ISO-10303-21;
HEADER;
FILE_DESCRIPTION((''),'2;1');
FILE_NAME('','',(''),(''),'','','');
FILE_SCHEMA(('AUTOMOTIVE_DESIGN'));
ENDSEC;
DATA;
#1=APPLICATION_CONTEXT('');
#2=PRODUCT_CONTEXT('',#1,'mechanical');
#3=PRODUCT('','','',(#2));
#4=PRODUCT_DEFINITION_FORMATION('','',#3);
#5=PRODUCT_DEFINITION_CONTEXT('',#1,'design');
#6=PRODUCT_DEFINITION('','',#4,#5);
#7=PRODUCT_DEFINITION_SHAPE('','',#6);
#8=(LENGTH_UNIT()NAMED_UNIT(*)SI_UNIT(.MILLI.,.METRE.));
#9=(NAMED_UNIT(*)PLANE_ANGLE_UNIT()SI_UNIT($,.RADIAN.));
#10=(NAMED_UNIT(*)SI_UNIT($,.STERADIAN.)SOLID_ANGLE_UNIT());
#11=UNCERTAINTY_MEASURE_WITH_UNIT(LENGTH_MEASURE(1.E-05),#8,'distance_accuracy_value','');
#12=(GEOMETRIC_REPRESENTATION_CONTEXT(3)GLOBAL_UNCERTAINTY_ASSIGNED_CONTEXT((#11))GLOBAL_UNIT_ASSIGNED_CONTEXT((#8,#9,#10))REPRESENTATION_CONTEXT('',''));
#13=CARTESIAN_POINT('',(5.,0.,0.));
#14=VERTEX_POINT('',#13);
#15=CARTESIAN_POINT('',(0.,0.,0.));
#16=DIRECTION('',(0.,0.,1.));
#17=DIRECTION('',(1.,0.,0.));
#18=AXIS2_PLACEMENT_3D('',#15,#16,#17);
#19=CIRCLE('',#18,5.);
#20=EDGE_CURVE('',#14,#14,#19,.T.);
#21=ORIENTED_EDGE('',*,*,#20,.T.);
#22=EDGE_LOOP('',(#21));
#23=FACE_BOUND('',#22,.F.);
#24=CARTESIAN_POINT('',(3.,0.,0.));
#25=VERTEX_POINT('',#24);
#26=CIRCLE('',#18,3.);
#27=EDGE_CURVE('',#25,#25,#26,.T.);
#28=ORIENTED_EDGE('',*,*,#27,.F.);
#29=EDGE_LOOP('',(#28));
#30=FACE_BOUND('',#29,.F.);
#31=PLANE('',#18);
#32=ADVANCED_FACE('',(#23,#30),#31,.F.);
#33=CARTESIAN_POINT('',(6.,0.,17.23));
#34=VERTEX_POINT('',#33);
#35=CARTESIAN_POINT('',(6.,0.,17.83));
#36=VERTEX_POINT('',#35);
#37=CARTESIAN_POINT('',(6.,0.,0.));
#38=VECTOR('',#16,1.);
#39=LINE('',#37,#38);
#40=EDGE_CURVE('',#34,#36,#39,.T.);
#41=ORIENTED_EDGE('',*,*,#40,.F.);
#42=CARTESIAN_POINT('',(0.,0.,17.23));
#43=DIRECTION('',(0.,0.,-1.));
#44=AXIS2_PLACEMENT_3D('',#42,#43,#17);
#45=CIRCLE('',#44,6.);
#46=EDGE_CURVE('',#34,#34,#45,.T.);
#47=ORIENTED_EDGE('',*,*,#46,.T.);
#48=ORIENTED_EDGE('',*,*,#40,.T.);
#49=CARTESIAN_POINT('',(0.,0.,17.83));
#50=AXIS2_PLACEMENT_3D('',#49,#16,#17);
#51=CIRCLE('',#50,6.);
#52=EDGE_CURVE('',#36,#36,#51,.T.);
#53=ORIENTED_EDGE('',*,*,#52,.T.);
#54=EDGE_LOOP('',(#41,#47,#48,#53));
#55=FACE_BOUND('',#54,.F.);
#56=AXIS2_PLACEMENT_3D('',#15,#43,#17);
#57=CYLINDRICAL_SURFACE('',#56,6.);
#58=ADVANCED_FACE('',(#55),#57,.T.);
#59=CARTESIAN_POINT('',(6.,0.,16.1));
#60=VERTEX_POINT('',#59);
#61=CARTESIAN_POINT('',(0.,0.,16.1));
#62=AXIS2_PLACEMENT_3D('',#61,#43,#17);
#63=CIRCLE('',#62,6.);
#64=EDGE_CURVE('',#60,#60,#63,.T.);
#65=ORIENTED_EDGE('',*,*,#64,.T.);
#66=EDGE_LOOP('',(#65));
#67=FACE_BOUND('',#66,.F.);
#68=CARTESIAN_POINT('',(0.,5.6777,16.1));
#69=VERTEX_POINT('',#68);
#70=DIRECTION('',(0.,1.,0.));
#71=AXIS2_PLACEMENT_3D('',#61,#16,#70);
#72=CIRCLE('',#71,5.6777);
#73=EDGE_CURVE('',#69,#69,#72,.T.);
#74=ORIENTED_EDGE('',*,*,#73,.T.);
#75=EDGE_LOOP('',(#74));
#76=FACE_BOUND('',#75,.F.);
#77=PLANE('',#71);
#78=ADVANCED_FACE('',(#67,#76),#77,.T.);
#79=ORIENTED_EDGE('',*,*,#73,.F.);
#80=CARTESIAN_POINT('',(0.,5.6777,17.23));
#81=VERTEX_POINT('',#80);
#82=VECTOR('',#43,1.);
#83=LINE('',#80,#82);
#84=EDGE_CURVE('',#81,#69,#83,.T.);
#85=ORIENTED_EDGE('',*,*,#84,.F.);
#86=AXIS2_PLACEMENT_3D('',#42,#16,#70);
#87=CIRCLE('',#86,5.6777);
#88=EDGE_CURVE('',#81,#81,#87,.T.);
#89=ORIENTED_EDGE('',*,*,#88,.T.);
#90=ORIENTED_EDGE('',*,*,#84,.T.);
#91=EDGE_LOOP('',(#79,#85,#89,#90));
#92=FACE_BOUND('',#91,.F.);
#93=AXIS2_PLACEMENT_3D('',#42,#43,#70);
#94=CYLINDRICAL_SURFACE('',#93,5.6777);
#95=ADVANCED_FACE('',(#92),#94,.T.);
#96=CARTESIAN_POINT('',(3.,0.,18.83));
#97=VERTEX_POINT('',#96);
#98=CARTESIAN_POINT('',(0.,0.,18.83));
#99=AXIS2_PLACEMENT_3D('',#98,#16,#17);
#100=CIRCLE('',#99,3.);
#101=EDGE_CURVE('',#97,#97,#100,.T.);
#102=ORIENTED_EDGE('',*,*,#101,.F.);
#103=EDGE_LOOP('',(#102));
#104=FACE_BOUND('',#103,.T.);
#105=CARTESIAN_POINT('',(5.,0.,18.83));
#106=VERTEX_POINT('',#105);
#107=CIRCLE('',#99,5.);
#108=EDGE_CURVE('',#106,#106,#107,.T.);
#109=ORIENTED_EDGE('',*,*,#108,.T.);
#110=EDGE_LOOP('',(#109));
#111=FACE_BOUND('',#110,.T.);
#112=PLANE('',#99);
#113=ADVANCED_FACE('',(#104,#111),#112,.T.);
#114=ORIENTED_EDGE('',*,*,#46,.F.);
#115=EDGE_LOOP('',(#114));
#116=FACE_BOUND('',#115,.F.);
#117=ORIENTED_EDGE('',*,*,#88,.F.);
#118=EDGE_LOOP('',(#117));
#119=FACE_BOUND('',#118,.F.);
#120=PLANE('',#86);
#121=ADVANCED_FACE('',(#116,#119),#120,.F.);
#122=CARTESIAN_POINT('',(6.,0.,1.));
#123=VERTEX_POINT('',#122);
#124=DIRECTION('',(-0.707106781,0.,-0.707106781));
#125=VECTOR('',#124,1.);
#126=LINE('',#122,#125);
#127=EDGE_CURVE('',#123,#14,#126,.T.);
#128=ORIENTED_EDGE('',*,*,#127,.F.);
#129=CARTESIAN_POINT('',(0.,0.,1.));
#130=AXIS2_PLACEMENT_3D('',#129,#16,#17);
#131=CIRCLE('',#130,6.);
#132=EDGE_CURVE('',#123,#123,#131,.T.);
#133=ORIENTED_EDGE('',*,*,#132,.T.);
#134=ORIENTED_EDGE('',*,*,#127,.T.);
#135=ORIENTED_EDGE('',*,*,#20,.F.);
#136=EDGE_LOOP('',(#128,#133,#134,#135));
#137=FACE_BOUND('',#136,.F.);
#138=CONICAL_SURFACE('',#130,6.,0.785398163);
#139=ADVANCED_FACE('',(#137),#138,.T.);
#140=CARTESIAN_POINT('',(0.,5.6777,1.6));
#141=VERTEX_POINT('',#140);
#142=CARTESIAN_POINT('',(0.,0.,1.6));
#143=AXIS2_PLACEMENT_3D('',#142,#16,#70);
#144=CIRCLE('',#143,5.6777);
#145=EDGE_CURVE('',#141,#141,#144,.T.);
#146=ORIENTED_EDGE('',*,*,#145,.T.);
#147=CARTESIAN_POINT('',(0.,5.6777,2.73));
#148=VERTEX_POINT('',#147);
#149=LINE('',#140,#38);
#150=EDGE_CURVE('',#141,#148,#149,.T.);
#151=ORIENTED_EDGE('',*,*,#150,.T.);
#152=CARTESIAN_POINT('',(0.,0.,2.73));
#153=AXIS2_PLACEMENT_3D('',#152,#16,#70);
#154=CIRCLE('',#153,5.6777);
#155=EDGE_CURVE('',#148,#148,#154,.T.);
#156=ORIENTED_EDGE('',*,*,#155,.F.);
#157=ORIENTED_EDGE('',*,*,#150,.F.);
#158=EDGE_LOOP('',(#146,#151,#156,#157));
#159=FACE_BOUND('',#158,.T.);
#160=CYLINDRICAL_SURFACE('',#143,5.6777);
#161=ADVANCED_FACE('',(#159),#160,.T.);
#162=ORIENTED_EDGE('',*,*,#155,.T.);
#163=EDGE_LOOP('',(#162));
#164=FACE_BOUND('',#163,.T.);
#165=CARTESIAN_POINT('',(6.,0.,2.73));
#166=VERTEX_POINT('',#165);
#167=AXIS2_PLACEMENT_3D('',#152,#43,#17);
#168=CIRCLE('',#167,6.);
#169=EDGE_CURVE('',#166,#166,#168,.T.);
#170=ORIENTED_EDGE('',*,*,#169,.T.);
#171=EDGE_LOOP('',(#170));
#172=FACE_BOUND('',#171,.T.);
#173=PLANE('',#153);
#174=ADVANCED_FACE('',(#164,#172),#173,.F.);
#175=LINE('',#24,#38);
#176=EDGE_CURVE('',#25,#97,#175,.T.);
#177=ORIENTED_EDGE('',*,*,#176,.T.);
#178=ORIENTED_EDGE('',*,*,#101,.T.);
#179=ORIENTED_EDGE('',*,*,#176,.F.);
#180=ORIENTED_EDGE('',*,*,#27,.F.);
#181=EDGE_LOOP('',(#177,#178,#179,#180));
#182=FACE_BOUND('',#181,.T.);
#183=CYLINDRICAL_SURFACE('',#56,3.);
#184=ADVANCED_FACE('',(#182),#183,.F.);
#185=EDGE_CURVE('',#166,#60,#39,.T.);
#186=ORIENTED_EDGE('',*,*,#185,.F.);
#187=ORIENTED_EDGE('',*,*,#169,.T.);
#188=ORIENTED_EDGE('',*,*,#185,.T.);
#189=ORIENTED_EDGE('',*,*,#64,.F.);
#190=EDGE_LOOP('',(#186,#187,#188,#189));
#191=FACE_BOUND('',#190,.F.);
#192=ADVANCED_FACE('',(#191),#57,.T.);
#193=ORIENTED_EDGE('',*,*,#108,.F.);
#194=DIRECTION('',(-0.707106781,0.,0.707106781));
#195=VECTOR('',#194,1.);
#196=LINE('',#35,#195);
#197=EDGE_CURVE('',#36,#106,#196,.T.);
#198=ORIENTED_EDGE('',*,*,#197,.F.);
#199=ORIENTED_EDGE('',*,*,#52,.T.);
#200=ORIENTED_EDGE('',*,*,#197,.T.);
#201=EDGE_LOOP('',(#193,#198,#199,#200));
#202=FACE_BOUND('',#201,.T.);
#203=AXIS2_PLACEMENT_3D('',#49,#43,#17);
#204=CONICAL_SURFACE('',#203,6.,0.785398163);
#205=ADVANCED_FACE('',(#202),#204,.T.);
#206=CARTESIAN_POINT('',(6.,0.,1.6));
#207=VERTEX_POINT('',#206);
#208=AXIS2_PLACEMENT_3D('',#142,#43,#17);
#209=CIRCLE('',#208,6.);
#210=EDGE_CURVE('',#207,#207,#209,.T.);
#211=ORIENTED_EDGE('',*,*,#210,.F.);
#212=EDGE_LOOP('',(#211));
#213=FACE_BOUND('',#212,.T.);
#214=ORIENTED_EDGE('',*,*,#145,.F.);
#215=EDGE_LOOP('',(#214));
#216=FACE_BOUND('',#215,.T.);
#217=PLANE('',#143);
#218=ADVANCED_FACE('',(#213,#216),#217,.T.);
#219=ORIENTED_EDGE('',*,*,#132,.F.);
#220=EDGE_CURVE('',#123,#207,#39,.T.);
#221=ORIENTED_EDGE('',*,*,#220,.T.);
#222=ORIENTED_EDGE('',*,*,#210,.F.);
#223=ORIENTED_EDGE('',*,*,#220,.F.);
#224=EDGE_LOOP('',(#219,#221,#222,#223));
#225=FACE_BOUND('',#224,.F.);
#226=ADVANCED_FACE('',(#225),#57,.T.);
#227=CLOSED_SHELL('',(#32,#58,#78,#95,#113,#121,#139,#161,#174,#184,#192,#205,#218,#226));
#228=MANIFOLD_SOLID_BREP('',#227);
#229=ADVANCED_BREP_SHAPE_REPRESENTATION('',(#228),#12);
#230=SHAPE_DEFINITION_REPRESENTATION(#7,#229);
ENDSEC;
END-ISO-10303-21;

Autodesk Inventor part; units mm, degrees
ref_plane "YZ Plane" through (0, 0, 0) normal (1, 0, 0) x (0, 1, 0)
ref_plane "XZ Plane" through (0, 0, 0) normal (0, 1, 0) x (-1, 0, 0)
ref_plane "XY Plane" through (0, 0, 0) normal (0, 0, 1) x (1, 0, 0)
sketch "Sketch1" plane through (0, 0, 0) normal (0, 0, 1) x (1, 0, 0)
  circle A0 centre (0, 0) radius 3
  circle A1 centre (0, 0) radius 6
  dimension "d0" = 6
  dimension "d1" = 12
extrude "Extrusion1" add sketch "Sketch1" along normal blind 18.83
chamfer "Chamfer1" distance 1 angle 45 2 edges at (-6, 0, 18.83) (-6, 0, 0)
sketch "Sketch2" plane through (0, 0, 0) normal (1, 0, 0) x (0, 1, 0)
  line L0 (6.8077, 17.23) -> (5.6777, 17.23)
  line L1 (5.6777, 17.23) -> (5.6777, 16.1)
  line L2 (5.6777, 16.1) -> (6.8077, 16.1)
  line L3 (6.8077, 16.1) -> (6.8077, 17.23)
  line L4 (-5, 18.83) -> (5, 18.83) projected
  line L5 (6.8077, 1.6) -> (5.6777, 1.6)
  line L6 (5.6777, 1.6) -> (5.6777, 2.73)
  line L7 (5.6777, 2.73) -> (6.8077, 2.73)
  line L8 (6.8077, 2.73) -> (6.8077, 1.6)
  line L9 (5, 0) -> (-5, 0) projected
  line L10 (0, -3.766) -> (0, 22.596) projected
  point P0 (0, 0)
  dimension "d7" = 1.13
  dimension "d8" = 1.13
  dimension "d9" = 1.6
  dimension "d10" = 1.13
  dimension "d11" = 1.13
  dimension "d12" = 1.6
revolve "Revolution1" cut sketch "Sketch2" angle 360 about axis through (0, 0, -10) along (0, 0, 1)
properties part number "00_Igus_Drylin_6mm"
